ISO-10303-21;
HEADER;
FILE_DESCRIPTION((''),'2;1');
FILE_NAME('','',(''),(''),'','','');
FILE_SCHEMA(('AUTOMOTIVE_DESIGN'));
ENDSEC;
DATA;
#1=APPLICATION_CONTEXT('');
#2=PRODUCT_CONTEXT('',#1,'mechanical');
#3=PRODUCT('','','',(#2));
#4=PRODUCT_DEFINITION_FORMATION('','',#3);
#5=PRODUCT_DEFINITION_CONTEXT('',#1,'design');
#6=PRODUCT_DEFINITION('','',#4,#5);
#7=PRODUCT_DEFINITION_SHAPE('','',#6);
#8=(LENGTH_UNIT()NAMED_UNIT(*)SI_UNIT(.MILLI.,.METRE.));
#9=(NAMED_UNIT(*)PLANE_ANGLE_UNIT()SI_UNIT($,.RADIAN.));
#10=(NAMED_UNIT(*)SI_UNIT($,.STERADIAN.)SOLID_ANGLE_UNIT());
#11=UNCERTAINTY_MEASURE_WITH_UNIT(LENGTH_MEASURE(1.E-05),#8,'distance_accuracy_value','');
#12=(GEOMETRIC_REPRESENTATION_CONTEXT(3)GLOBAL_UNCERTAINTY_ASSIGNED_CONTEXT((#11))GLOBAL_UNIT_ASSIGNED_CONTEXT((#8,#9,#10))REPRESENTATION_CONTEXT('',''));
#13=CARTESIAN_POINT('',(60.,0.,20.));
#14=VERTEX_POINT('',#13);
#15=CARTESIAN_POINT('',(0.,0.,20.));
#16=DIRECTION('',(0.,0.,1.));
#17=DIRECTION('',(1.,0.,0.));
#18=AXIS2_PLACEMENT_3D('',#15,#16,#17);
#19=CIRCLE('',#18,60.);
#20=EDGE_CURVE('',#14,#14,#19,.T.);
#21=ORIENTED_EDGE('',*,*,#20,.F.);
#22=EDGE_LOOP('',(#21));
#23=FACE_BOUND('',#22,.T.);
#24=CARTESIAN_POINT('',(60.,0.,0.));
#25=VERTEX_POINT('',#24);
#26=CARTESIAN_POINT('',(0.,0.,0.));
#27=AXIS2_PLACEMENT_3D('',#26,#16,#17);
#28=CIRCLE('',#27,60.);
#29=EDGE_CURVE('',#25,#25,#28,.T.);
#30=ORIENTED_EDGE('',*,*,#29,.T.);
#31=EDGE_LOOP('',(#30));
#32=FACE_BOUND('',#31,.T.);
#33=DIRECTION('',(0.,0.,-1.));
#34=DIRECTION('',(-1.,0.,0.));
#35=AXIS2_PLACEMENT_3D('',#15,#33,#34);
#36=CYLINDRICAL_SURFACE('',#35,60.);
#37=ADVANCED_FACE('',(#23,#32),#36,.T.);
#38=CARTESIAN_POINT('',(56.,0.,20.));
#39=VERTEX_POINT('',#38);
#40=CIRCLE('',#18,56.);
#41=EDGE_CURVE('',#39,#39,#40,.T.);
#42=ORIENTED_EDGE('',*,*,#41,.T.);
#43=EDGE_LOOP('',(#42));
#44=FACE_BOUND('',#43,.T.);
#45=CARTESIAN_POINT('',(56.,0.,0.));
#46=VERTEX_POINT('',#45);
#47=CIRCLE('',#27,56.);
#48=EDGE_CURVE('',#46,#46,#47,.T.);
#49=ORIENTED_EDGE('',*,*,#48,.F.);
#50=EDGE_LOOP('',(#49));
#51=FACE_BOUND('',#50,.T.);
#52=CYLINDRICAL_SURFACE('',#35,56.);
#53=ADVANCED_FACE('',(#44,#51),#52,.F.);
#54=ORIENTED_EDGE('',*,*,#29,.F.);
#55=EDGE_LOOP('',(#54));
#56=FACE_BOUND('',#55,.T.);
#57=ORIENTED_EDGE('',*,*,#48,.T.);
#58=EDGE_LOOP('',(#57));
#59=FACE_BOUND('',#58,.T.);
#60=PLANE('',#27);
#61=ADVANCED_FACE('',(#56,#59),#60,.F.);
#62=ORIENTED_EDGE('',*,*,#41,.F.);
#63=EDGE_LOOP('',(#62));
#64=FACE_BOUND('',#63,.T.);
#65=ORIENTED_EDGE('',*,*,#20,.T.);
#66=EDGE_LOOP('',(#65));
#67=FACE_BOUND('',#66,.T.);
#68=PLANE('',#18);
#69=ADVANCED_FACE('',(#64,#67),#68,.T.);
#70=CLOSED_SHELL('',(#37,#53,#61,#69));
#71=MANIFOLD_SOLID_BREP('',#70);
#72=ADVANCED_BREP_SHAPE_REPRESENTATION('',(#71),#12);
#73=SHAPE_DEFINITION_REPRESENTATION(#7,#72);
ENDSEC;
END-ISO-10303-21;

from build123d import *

# Parameters (mm, degrees)
SKETCH_1_R      = 60
SKETCH_1_R_2    = 56
EXTRUDE_1_DEPTH = 20


with BuildPart() as part:
    # Эскиз1 → Бобышка-Вытянуть1 (new body)
    with BuildSketch(Plane.XY):
        Circle(SKETCH_1_R)
        Circle(SKETCH_1_R_2, mode=Mode.SUBTRACT)
    extrude(amount=EXTRUDE_1_DEPTH)


solid = part.part
